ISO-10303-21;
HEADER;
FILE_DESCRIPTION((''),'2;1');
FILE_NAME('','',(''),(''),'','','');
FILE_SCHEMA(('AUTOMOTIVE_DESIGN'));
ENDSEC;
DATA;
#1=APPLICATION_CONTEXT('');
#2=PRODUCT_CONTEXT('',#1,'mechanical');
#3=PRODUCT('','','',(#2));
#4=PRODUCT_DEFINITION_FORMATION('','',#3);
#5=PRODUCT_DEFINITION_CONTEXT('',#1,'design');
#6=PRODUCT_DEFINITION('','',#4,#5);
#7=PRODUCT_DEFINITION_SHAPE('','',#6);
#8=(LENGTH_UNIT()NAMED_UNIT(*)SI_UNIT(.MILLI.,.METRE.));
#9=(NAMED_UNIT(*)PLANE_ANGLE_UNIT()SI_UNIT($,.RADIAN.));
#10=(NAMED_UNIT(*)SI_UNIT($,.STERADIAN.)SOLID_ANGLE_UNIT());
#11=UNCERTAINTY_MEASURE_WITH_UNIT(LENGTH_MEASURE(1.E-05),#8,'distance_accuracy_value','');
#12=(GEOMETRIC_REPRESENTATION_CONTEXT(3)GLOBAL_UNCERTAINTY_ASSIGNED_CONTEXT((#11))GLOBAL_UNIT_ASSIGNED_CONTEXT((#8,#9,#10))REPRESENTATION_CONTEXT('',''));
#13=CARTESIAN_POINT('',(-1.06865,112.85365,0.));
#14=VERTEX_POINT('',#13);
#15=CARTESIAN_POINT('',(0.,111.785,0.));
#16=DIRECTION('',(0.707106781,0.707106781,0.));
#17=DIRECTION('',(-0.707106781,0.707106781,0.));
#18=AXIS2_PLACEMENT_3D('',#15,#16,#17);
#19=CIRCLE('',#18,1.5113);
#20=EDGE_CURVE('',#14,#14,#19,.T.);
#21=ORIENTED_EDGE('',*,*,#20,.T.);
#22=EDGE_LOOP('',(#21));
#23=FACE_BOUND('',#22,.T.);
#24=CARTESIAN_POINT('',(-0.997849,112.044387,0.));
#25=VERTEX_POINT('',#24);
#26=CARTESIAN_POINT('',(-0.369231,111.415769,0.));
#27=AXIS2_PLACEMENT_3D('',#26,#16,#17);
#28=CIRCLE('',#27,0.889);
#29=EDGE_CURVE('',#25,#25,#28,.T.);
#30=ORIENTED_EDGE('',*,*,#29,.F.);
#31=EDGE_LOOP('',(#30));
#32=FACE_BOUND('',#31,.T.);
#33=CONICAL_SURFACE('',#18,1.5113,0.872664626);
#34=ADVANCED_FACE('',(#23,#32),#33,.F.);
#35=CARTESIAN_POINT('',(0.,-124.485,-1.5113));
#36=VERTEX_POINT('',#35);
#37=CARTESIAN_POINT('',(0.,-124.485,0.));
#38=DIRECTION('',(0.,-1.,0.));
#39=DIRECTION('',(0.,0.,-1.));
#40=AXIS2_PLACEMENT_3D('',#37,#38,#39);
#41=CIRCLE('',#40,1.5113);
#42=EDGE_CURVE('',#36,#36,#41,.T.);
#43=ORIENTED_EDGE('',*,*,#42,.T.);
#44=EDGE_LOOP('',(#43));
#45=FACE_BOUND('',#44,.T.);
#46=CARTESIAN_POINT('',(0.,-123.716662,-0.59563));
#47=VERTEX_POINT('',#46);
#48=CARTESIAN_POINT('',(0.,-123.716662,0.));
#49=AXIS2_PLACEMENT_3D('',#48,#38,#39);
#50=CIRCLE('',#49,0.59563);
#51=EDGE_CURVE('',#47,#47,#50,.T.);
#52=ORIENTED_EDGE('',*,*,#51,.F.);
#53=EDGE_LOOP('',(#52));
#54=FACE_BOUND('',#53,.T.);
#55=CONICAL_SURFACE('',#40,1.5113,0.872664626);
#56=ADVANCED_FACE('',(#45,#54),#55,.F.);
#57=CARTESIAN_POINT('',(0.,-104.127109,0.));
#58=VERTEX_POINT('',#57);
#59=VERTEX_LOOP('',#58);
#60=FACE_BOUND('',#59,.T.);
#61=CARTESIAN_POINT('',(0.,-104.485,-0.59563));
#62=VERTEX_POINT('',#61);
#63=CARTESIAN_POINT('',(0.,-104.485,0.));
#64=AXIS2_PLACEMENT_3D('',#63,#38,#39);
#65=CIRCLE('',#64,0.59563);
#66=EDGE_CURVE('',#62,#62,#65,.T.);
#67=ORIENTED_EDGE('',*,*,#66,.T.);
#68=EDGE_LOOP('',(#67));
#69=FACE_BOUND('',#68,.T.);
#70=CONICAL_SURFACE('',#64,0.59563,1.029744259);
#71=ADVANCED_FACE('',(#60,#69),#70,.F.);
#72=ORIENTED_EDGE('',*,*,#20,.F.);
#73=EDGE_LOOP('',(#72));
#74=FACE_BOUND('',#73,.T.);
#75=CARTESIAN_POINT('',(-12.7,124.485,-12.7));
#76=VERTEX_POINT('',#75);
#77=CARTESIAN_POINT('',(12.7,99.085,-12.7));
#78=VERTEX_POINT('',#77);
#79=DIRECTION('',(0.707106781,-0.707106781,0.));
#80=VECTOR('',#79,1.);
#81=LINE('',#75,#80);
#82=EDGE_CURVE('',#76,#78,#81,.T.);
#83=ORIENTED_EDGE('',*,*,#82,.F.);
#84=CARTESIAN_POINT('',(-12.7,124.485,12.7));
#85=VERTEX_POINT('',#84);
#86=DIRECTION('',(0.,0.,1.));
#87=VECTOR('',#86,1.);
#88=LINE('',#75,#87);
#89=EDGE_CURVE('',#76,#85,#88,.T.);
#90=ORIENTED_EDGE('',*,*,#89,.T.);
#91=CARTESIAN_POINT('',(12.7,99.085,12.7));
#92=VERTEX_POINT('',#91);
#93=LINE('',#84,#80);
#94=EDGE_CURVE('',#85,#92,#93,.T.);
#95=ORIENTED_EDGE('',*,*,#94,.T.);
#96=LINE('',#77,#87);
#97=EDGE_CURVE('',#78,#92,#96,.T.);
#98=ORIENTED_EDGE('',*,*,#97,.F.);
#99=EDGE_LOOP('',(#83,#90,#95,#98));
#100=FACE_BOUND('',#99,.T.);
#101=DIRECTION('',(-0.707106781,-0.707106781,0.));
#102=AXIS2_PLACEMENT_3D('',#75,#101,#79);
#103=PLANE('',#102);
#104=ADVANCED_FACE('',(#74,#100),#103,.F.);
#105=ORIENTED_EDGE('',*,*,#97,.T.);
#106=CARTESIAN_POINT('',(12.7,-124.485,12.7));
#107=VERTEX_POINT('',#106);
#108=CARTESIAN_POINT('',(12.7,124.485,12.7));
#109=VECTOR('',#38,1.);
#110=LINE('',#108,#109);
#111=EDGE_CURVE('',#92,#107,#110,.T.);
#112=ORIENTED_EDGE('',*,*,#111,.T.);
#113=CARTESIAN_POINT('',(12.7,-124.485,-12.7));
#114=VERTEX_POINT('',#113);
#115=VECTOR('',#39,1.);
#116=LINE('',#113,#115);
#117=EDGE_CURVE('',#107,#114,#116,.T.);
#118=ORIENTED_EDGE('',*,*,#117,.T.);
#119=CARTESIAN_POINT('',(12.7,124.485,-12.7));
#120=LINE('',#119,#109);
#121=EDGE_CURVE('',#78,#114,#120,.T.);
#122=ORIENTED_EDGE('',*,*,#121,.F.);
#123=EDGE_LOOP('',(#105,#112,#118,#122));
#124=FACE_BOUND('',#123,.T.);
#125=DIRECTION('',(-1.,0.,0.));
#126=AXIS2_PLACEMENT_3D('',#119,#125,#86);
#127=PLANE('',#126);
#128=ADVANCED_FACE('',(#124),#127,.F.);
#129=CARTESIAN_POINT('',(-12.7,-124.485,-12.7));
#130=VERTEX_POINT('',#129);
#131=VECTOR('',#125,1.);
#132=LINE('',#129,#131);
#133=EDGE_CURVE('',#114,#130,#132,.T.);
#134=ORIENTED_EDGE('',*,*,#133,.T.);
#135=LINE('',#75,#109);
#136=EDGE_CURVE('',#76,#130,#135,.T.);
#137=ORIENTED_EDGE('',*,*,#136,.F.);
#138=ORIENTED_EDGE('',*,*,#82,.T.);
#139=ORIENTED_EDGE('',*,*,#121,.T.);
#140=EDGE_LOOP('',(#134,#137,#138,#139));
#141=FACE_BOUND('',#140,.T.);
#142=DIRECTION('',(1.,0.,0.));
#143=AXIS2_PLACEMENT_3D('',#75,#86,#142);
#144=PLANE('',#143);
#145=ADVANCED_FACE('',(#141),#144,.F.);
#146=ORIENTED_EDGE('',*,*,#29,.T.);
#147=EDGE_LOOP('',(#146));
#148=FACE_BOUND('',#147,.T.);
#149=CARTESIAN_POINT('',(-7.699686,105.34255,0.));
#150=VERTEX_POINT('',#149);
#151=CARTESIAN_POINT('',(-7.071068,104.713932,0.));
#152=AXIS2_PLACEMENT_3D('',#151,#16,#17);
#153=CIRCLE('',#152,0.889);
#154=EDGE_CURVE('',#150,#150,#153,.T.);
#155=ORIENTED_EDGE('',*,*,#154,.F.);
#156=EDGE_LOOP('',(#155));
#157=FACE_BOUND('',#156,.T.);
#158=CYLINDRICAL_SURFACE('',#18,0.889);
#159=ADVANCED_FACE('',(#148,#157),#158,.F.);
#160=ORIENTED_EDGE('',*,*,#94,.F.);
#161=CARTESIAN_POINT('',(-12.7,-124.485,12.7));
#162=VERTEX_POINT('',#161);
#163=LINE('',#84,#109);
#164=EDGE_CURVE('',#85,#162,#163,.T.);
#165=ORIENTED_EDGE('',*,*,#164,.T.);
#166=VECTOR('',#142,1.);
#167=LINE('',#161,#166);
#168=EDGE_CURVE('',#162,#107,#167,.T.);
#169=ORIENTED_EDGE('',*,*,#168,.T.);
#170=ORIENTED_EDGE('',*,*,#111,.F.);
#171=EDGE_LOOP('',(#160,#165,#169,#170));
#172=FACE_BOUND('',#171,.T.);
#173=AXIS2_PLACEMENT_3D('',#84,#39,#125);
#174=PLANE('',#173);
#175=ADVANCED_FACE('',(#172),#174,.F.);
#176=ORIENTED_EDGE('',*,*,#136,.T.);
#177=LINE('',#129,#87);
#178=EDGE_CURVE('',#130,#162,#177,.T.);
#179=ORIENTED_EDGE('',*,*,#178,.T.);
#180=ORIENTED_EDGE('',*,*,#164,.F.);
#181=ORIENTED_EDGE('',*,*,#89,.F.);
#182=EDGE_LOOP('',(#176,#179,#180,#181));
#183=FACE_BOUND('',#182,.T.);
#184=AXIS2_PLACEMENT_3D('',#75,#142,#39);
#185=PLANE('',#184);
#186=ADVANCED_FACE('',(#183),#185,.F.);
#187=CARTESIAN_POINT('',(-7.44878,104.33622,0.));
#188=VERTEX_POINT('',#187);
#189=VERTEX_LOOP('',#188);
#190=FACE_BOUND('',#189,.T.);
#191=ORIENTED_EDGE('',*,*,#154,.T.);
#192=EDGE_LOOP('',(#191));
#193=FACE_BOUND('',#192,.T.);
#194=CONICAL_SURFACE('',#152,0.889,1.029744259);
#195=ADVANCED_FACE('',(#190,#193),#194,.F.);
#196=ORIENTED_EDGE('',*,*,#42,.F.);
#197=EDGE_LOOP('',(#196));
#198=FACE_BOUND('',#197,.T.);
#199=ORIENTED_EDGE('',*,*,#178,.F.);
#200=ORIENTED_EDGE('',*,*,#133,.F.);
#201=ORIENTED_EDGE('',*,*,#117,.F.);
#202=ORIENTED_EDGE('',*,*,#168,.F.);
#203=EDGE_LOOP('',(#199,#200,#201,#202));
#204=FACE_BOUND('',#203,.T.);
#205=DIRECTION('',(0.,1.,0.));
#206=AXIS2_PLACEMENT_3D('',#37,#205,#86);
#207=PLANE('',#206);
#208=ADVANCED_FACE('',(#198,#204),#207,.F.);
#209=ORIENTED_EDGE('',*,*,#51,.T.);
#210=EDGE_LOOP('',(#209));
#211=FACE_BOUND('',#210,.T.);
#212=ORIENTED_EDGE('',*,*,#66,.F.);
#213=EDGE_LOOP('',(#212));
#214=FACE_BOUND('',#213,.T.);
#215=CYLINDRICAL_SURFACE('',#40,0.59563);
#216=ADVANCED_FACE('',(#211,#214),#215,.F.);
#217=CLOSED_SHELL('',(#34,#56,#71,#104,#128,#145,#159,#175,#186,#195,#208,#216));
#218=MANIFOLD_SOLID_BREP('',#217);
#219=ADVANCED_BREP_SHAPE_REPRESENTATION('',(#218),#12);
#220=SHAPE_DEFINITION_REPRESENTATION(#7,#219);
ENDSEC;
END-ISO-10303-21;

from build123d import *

# Parameters (mm, degrees)
SKETCH1_W                                         = 25.4
SKETCH1_H                                         = 25.4
BOSS_EXTRUDE1_DEPTH                               = 124.485
F_0_80_TAPPED_HOLE1_D                             = 1.19126
F_0_80_TAPPED_HOLE1_DEPTH                         = 20
F_0_80_TAPPED_HOLE1_CSINK_D                       = 3.0226
F_0_80_TAPPED_HOLE1_CSINK_ANGLE                   = 100
F_0_80_TAPPED_HOLE1_TIP                           = 0.357890611
CUT_EXTRUDE1_DEPTH                                = 13.7
CUT_EXTRUDE1_DEPTH_BACK                           = 13.7
CSK_FOR_0_FLAT_HEAD_MACHINE_SCREW_100_D           = 1.778
CSK_FOR_0_FLAT_HEAD_MACHINE_SCREW_100_DEPTH       = 10
CSK_FOR_0_FLAT_HEAD_MACHINE_SCREW_100_CSINK_D     = 3.0226
CSK_FOR_0_FLAT_HEAD_MACHINE_SCREW_100_CSINK_ANGLE = 100
CSK_FOR_0_FLAT_HEAD_MACHINE_SCREW_100_TIP         = 0.53416509


with BuildPart() as part:
    # Sketch1 → Boss-Extrude1 (new body, symmetric)
    with BuildSketch(Plane(origin=(0, 0, 0), x_dir=(1, 0, 0), z_dir=(0, 1, 0))):
        Rectangle(SKETCH1_W, SKETCH1_H)
    extrude(amount=BOSS_EXTRUDE1_DEPTH, both=True)

    # #0-80 Tapped Hole1
    with Locations(Plane(origin=(0, -124.485, 0), x_dir=(-1, 0, 0), z_dir=(0, -1, 0))):
        with Locations((0, 0)):
            CounterSinkHole(F_0_80_TAPPED_HOLE1_D / 2, F_0_80_TAPPED_HOLE1_CSINK_D / 2, depth=F_0_80_TAPPED_HOLE1_DEPTH, counter_sink_angle=F_0_80_TAPPED_HOLE1_CSINK_ANGLE)
            with Locations((0, 0, -(F_0_80_TAPPED_HOLE1_DEPTH + F_0_80_TAPPED_HOLE1_TIP / 2))):  # 118° drill point
                Cone(0, F_0_80_TAPPED_HOLE1_D / 2, F_0_80_TAPPED_HOLE1_TIP, mode=Mode.SUBTRACT)

    # Sketch4 → Cut-Extrude1 (cut, two sides)
    with BuildSketch(Plane.XY) as cut_extrude1_sk:
        Polygon((12.7, 124.485), (-12.7, 124.485), (12.7, 99.085), align=None)
    extrude(amount=CUT_EXTRUDE1_DEPTH, mode=Mode.SUBTRACT)
    extrude(cut_extrude1_sk.sketch, amount=-CUT_EXTRUDE1_DEPTH_BACK, mode=Mode.SUBTRACT)

    # CSK for #0 Flat Head Machine Screw (100)1
    with Locations(Plane(origin=(55.8925, 55.8925, 0), x_dir=(0.707106781, -0.707106781, 0), z_dir=(0.707106781, 0.707106781, 0))):
        with Locations((-79.043931535, 0)):
            CounterSinkHole(CSK_FOR_0_FLAT_HEAD_MACHINE_SCREW_100_D / 2, CSK_FOR_0_FLAT_HEAD_MACHINE_SCREW_100_CSINK_D / 2, depth=CSK_FOR_0_FLAT_HEAD_MACHINE_SCREW_100_DEPTH, counter_sink_angle=CSK_FOR_0_FLAT_HEAD_MACHINE_SCREW_100_CSINK_ANGLE)
            with Locations((0, 0, -(CSK_FOR_0_FLAT_HEAD_MACHINE_SCREW_100_DEPTH + CSK_FOR_0_FLAT_HEAD_MACHINE_SCREW_100_TIP / 2))):  # 118° drill point
                Cone(0, CSK_FOR_0_FLAT_HEAD_MACHINE_SCREW_100_D / 2, CSK_FOR_0_FLAT_HEAD_MACHINE_SCREW_100_TIP, mode=Mode.SUBTRACT)


solid = part.part
